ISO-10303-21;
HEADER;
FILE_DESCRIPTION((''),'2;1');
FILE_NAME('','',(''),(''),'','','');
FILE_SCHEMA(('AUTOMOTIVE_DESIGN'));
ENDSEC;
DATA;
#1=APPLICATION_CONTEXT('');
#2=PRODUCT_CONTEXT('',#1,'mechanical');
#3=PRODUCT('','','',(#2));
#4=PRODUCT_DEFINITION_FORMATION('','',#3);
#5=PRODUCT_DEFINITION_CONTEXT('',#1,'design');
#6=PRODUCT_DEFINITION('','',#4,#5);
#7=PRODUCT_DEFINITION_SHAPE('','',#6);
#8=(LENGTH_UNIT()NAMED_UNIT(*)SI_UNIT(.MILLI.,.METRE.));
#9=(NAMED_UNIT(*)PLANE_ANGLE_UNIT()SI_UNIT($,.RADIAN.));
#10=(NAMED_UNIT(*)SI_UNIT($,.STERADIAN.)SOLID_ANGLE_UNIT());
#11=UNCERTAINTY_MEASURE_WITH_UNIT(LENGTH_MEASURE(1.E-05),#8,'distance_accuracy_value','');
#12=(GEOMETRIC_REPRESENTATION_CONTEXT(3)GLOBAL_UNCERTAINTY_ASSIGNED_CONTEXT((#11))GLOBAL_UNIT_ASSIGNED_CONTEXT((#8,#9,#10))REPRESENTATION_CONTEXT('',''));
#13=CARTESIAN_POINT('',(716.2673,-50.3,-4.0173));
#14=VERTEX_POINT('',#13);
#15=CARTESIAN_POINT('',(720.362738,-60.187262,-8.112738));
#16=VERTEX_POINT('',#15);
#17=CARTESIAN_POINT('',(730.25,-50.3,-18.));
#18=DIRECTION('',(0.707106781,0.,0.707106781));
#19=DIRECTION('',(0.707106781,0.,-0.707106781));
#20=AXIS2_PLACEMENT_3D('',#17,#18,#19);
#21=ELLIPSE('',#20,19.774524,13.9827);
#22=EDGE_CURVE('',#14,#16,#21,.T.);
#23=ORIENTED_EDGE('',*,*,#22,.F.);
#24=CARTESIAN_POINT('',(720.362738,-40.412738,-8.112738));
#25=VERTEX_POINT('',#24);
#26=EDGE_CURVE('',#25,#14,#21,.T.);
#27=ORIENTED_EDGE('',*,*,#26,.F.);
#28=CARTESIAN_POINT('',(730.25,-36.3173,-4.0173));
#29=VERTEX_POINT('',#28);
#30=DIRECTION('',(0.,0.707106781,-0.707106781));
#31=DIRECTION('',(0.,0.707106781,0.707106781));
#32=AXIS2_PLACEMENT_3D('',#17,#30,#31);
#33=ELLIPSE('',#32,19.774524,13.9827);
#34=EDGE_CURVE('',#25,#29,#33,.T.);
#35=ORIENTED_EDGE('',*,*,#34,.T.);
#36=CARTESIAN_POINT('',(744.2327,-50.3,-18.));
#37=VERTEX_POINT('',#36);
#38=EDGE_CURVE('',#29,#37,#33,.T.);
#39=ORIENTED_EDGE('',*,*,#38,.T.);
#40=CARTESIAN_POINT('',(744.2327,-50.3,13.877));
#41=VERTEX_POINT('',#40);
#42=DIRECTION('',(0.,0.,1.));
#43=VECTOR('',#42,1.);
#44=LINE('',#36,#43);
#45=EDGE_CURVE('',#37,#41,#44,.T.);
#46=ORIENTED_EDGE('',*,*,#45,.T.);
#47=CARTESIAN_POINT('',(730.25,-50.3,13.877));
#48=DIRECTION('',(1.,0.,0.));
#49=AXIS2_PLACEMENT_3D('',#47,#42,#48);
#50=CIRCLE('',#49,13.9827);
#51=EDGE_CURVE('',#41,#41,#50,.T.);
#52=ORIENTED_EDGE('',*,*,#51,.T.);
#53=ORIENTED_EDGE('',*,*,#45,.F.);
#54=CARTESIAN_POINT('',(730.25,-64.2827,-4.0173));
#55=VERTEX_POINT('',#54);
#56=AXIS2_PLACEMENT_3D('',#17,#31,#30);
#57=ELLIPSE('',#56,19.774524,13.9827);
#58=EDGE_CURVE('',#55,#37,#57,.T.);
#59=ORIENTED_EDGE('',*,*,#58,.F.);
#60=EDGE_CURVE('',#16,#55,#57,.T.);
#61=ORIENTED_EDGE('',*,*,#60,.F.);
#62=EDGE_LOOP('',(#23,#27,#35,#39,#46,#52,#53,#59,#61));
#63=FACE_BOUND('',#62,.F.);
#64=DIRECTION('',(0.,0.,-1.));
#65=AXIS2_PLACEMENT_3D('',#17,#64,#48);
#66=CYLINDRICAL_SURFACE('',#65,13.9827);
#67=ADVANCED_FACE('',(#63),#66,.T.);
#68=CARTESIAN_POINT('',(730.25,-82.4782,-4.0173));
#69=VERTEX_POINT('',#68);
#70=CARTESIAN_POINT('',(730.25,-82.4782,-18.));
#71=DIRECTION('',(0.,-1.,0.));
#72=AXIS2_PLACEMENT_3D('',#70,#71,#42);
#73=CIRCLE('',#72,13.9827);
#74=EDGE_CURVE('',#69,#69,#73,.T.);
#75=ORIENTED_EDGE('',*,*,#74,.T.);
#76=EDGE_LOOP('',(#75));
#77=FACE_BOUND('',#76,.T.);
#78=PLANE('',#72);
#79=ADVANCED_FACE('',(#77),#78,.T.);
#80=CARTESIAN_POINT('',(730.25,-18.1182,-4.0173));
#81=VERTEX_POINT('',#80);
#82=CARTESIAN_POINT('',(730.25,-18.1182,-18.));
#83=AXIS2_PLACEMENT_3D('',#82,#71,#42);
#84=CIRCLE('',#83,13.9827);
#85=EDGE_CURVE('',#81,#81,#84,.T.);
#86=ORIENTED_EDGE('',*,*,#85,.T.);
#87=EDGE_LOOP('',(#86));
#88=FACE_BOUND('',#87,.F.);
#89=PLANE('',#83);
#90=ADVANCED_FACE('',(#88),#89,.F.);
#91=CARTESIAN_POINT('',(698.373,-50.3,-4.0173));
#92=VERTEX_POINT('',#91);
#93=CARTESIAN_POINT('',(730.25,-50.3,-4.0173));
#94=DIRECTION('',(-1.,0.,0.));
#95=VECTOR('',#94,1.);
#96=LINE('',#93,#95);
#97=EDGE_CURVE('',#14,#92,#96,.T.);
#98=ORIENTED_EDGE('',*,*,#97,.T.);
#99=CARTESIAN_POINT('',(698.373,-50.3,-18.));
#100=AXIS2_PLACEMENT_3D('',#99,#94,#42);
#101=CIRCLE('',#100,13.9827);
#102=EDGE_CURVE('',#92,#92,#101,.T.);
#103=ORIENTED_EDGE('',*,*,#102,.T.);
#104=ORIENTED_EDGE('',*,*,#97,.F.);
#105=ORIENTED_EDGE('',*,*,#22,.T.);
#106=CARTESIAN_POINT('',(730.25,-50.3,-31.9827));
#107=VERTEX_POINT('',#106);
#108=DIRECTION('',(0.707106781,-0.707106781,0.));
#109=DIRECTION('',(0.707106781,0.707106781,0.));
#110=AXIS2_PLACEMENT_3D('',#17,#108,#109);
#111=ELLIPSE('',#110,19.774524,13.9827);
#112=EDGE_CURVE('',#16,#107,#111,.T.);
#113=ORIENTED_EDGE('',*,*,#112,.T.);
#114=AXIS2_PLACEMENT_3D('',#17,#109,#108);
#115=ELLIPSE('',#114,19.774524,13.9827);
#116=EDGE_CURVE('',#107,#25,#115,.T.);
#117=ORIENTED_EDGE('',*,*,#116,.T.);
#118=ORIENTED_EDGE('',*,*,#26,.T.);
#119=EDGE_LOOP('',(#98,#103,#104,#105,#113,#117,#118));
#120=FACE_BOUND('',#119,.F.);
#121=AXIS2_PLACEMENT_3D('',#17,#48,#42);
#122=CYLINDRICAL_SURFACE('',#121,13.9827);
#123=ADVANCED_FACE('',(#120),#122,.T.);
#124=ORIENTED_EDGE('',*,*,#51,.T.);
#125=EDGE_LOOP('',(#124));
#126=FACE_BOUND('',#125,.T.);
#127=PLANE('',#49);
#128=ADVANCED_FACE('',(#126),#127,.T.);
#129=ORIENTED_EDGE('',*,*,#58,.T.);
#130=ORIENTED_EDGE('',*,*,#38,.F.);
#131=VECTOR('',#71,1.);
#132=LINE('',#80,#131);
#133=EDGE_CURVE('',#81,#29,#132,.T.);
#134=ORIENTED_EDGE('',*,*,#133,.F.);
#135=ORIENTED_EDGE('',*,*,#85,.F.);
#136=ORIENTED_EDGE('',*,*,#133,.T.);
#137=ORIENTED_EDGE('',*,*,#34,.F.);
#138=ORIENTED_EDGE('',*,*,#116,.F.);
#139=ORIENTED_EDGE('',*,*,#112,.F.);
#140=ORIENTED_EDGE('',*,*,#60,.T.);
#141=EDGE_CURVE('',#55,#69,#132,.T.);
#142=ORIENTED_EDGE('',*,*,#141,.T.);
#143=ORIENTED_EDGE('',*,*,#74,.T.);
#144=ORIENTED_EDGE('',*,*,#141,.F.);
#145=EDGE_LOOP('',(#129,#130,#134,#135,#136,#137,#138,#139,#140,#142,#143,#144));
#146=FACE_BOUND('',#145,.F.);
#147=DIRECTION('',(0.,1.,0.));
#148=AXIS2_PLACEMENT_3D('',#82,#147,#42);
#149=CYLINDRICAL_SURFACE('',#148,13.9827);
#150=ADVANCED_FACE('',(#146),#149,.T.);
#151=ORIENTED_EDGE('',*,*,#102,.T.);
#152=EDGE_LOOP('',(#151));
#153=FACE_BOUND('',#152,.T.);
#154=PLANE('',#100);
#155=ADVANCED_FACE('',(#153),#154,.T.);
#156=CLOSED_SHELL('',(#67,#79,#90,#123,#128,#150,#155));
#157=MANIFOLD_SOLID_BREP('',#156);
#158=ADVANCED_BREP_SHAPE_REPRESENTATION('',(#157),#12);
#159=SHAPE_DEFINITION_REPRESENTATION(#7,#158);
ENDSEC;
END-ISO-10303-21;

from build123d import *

# Parameters (mm, degrees)
CYLINDER021_R             = 13.9827
CYLINDER021_DEPTH         = 31.877
CYLINDER020_R             = 13.9827
CYLINDER020_DEPTH         = 64.36
CYLINDER022_R             = 13.9827
CYLINDER022_DEPTH         = 31.877
FUSION010_PLACEMENT_ANGLE = 90


with BuildPart() as cylinder021:
    # Cylinder021 → Cylinder021 (new body)
    with BuildSketch(Plane(origin=(0, 0, 0), x_dir=(0, 0, -1), z_dir=(1, 0, 0))):
        Circle(CYLINDER021_R)
    extrude(amount=CYLINDER021_DEPTH)


with BuildPart() as cylinder020:
    # Cylinder020 → Cylinder020 (new body)
    with BuildSketch(Plane.XZ.offset(-32.1818)):
        Circle(CYLINDER020_R)
    extrude(amount=CYLINDER020_DEPTH)


with BuildPart() as front_4_way_l:
    # Cylinder022 → Cylinder022 (new body)
    with BuildSketch(Plane.XY):
        Circle(CYLINDER022_R)
    extrude(amount=CYLINDER022_DEPTH)

    # Fusion009: union Cylinder020
    add(cylinder020.part)

    # Fusion010: union Cylinder021
    add(cylinder021.part)


with BuildPart() as front_4_way_l_1:
    # Fusion010 placement: moved
    add(front_4_way_l.part.moved(Location((730.25, -50.3, -18))).rotate(Axis((730.25, -50.3, -18), (0, -1, 0)), FUSION010_PLACEMENT_ANGLE))


solid = front_4_way_l_1.part
